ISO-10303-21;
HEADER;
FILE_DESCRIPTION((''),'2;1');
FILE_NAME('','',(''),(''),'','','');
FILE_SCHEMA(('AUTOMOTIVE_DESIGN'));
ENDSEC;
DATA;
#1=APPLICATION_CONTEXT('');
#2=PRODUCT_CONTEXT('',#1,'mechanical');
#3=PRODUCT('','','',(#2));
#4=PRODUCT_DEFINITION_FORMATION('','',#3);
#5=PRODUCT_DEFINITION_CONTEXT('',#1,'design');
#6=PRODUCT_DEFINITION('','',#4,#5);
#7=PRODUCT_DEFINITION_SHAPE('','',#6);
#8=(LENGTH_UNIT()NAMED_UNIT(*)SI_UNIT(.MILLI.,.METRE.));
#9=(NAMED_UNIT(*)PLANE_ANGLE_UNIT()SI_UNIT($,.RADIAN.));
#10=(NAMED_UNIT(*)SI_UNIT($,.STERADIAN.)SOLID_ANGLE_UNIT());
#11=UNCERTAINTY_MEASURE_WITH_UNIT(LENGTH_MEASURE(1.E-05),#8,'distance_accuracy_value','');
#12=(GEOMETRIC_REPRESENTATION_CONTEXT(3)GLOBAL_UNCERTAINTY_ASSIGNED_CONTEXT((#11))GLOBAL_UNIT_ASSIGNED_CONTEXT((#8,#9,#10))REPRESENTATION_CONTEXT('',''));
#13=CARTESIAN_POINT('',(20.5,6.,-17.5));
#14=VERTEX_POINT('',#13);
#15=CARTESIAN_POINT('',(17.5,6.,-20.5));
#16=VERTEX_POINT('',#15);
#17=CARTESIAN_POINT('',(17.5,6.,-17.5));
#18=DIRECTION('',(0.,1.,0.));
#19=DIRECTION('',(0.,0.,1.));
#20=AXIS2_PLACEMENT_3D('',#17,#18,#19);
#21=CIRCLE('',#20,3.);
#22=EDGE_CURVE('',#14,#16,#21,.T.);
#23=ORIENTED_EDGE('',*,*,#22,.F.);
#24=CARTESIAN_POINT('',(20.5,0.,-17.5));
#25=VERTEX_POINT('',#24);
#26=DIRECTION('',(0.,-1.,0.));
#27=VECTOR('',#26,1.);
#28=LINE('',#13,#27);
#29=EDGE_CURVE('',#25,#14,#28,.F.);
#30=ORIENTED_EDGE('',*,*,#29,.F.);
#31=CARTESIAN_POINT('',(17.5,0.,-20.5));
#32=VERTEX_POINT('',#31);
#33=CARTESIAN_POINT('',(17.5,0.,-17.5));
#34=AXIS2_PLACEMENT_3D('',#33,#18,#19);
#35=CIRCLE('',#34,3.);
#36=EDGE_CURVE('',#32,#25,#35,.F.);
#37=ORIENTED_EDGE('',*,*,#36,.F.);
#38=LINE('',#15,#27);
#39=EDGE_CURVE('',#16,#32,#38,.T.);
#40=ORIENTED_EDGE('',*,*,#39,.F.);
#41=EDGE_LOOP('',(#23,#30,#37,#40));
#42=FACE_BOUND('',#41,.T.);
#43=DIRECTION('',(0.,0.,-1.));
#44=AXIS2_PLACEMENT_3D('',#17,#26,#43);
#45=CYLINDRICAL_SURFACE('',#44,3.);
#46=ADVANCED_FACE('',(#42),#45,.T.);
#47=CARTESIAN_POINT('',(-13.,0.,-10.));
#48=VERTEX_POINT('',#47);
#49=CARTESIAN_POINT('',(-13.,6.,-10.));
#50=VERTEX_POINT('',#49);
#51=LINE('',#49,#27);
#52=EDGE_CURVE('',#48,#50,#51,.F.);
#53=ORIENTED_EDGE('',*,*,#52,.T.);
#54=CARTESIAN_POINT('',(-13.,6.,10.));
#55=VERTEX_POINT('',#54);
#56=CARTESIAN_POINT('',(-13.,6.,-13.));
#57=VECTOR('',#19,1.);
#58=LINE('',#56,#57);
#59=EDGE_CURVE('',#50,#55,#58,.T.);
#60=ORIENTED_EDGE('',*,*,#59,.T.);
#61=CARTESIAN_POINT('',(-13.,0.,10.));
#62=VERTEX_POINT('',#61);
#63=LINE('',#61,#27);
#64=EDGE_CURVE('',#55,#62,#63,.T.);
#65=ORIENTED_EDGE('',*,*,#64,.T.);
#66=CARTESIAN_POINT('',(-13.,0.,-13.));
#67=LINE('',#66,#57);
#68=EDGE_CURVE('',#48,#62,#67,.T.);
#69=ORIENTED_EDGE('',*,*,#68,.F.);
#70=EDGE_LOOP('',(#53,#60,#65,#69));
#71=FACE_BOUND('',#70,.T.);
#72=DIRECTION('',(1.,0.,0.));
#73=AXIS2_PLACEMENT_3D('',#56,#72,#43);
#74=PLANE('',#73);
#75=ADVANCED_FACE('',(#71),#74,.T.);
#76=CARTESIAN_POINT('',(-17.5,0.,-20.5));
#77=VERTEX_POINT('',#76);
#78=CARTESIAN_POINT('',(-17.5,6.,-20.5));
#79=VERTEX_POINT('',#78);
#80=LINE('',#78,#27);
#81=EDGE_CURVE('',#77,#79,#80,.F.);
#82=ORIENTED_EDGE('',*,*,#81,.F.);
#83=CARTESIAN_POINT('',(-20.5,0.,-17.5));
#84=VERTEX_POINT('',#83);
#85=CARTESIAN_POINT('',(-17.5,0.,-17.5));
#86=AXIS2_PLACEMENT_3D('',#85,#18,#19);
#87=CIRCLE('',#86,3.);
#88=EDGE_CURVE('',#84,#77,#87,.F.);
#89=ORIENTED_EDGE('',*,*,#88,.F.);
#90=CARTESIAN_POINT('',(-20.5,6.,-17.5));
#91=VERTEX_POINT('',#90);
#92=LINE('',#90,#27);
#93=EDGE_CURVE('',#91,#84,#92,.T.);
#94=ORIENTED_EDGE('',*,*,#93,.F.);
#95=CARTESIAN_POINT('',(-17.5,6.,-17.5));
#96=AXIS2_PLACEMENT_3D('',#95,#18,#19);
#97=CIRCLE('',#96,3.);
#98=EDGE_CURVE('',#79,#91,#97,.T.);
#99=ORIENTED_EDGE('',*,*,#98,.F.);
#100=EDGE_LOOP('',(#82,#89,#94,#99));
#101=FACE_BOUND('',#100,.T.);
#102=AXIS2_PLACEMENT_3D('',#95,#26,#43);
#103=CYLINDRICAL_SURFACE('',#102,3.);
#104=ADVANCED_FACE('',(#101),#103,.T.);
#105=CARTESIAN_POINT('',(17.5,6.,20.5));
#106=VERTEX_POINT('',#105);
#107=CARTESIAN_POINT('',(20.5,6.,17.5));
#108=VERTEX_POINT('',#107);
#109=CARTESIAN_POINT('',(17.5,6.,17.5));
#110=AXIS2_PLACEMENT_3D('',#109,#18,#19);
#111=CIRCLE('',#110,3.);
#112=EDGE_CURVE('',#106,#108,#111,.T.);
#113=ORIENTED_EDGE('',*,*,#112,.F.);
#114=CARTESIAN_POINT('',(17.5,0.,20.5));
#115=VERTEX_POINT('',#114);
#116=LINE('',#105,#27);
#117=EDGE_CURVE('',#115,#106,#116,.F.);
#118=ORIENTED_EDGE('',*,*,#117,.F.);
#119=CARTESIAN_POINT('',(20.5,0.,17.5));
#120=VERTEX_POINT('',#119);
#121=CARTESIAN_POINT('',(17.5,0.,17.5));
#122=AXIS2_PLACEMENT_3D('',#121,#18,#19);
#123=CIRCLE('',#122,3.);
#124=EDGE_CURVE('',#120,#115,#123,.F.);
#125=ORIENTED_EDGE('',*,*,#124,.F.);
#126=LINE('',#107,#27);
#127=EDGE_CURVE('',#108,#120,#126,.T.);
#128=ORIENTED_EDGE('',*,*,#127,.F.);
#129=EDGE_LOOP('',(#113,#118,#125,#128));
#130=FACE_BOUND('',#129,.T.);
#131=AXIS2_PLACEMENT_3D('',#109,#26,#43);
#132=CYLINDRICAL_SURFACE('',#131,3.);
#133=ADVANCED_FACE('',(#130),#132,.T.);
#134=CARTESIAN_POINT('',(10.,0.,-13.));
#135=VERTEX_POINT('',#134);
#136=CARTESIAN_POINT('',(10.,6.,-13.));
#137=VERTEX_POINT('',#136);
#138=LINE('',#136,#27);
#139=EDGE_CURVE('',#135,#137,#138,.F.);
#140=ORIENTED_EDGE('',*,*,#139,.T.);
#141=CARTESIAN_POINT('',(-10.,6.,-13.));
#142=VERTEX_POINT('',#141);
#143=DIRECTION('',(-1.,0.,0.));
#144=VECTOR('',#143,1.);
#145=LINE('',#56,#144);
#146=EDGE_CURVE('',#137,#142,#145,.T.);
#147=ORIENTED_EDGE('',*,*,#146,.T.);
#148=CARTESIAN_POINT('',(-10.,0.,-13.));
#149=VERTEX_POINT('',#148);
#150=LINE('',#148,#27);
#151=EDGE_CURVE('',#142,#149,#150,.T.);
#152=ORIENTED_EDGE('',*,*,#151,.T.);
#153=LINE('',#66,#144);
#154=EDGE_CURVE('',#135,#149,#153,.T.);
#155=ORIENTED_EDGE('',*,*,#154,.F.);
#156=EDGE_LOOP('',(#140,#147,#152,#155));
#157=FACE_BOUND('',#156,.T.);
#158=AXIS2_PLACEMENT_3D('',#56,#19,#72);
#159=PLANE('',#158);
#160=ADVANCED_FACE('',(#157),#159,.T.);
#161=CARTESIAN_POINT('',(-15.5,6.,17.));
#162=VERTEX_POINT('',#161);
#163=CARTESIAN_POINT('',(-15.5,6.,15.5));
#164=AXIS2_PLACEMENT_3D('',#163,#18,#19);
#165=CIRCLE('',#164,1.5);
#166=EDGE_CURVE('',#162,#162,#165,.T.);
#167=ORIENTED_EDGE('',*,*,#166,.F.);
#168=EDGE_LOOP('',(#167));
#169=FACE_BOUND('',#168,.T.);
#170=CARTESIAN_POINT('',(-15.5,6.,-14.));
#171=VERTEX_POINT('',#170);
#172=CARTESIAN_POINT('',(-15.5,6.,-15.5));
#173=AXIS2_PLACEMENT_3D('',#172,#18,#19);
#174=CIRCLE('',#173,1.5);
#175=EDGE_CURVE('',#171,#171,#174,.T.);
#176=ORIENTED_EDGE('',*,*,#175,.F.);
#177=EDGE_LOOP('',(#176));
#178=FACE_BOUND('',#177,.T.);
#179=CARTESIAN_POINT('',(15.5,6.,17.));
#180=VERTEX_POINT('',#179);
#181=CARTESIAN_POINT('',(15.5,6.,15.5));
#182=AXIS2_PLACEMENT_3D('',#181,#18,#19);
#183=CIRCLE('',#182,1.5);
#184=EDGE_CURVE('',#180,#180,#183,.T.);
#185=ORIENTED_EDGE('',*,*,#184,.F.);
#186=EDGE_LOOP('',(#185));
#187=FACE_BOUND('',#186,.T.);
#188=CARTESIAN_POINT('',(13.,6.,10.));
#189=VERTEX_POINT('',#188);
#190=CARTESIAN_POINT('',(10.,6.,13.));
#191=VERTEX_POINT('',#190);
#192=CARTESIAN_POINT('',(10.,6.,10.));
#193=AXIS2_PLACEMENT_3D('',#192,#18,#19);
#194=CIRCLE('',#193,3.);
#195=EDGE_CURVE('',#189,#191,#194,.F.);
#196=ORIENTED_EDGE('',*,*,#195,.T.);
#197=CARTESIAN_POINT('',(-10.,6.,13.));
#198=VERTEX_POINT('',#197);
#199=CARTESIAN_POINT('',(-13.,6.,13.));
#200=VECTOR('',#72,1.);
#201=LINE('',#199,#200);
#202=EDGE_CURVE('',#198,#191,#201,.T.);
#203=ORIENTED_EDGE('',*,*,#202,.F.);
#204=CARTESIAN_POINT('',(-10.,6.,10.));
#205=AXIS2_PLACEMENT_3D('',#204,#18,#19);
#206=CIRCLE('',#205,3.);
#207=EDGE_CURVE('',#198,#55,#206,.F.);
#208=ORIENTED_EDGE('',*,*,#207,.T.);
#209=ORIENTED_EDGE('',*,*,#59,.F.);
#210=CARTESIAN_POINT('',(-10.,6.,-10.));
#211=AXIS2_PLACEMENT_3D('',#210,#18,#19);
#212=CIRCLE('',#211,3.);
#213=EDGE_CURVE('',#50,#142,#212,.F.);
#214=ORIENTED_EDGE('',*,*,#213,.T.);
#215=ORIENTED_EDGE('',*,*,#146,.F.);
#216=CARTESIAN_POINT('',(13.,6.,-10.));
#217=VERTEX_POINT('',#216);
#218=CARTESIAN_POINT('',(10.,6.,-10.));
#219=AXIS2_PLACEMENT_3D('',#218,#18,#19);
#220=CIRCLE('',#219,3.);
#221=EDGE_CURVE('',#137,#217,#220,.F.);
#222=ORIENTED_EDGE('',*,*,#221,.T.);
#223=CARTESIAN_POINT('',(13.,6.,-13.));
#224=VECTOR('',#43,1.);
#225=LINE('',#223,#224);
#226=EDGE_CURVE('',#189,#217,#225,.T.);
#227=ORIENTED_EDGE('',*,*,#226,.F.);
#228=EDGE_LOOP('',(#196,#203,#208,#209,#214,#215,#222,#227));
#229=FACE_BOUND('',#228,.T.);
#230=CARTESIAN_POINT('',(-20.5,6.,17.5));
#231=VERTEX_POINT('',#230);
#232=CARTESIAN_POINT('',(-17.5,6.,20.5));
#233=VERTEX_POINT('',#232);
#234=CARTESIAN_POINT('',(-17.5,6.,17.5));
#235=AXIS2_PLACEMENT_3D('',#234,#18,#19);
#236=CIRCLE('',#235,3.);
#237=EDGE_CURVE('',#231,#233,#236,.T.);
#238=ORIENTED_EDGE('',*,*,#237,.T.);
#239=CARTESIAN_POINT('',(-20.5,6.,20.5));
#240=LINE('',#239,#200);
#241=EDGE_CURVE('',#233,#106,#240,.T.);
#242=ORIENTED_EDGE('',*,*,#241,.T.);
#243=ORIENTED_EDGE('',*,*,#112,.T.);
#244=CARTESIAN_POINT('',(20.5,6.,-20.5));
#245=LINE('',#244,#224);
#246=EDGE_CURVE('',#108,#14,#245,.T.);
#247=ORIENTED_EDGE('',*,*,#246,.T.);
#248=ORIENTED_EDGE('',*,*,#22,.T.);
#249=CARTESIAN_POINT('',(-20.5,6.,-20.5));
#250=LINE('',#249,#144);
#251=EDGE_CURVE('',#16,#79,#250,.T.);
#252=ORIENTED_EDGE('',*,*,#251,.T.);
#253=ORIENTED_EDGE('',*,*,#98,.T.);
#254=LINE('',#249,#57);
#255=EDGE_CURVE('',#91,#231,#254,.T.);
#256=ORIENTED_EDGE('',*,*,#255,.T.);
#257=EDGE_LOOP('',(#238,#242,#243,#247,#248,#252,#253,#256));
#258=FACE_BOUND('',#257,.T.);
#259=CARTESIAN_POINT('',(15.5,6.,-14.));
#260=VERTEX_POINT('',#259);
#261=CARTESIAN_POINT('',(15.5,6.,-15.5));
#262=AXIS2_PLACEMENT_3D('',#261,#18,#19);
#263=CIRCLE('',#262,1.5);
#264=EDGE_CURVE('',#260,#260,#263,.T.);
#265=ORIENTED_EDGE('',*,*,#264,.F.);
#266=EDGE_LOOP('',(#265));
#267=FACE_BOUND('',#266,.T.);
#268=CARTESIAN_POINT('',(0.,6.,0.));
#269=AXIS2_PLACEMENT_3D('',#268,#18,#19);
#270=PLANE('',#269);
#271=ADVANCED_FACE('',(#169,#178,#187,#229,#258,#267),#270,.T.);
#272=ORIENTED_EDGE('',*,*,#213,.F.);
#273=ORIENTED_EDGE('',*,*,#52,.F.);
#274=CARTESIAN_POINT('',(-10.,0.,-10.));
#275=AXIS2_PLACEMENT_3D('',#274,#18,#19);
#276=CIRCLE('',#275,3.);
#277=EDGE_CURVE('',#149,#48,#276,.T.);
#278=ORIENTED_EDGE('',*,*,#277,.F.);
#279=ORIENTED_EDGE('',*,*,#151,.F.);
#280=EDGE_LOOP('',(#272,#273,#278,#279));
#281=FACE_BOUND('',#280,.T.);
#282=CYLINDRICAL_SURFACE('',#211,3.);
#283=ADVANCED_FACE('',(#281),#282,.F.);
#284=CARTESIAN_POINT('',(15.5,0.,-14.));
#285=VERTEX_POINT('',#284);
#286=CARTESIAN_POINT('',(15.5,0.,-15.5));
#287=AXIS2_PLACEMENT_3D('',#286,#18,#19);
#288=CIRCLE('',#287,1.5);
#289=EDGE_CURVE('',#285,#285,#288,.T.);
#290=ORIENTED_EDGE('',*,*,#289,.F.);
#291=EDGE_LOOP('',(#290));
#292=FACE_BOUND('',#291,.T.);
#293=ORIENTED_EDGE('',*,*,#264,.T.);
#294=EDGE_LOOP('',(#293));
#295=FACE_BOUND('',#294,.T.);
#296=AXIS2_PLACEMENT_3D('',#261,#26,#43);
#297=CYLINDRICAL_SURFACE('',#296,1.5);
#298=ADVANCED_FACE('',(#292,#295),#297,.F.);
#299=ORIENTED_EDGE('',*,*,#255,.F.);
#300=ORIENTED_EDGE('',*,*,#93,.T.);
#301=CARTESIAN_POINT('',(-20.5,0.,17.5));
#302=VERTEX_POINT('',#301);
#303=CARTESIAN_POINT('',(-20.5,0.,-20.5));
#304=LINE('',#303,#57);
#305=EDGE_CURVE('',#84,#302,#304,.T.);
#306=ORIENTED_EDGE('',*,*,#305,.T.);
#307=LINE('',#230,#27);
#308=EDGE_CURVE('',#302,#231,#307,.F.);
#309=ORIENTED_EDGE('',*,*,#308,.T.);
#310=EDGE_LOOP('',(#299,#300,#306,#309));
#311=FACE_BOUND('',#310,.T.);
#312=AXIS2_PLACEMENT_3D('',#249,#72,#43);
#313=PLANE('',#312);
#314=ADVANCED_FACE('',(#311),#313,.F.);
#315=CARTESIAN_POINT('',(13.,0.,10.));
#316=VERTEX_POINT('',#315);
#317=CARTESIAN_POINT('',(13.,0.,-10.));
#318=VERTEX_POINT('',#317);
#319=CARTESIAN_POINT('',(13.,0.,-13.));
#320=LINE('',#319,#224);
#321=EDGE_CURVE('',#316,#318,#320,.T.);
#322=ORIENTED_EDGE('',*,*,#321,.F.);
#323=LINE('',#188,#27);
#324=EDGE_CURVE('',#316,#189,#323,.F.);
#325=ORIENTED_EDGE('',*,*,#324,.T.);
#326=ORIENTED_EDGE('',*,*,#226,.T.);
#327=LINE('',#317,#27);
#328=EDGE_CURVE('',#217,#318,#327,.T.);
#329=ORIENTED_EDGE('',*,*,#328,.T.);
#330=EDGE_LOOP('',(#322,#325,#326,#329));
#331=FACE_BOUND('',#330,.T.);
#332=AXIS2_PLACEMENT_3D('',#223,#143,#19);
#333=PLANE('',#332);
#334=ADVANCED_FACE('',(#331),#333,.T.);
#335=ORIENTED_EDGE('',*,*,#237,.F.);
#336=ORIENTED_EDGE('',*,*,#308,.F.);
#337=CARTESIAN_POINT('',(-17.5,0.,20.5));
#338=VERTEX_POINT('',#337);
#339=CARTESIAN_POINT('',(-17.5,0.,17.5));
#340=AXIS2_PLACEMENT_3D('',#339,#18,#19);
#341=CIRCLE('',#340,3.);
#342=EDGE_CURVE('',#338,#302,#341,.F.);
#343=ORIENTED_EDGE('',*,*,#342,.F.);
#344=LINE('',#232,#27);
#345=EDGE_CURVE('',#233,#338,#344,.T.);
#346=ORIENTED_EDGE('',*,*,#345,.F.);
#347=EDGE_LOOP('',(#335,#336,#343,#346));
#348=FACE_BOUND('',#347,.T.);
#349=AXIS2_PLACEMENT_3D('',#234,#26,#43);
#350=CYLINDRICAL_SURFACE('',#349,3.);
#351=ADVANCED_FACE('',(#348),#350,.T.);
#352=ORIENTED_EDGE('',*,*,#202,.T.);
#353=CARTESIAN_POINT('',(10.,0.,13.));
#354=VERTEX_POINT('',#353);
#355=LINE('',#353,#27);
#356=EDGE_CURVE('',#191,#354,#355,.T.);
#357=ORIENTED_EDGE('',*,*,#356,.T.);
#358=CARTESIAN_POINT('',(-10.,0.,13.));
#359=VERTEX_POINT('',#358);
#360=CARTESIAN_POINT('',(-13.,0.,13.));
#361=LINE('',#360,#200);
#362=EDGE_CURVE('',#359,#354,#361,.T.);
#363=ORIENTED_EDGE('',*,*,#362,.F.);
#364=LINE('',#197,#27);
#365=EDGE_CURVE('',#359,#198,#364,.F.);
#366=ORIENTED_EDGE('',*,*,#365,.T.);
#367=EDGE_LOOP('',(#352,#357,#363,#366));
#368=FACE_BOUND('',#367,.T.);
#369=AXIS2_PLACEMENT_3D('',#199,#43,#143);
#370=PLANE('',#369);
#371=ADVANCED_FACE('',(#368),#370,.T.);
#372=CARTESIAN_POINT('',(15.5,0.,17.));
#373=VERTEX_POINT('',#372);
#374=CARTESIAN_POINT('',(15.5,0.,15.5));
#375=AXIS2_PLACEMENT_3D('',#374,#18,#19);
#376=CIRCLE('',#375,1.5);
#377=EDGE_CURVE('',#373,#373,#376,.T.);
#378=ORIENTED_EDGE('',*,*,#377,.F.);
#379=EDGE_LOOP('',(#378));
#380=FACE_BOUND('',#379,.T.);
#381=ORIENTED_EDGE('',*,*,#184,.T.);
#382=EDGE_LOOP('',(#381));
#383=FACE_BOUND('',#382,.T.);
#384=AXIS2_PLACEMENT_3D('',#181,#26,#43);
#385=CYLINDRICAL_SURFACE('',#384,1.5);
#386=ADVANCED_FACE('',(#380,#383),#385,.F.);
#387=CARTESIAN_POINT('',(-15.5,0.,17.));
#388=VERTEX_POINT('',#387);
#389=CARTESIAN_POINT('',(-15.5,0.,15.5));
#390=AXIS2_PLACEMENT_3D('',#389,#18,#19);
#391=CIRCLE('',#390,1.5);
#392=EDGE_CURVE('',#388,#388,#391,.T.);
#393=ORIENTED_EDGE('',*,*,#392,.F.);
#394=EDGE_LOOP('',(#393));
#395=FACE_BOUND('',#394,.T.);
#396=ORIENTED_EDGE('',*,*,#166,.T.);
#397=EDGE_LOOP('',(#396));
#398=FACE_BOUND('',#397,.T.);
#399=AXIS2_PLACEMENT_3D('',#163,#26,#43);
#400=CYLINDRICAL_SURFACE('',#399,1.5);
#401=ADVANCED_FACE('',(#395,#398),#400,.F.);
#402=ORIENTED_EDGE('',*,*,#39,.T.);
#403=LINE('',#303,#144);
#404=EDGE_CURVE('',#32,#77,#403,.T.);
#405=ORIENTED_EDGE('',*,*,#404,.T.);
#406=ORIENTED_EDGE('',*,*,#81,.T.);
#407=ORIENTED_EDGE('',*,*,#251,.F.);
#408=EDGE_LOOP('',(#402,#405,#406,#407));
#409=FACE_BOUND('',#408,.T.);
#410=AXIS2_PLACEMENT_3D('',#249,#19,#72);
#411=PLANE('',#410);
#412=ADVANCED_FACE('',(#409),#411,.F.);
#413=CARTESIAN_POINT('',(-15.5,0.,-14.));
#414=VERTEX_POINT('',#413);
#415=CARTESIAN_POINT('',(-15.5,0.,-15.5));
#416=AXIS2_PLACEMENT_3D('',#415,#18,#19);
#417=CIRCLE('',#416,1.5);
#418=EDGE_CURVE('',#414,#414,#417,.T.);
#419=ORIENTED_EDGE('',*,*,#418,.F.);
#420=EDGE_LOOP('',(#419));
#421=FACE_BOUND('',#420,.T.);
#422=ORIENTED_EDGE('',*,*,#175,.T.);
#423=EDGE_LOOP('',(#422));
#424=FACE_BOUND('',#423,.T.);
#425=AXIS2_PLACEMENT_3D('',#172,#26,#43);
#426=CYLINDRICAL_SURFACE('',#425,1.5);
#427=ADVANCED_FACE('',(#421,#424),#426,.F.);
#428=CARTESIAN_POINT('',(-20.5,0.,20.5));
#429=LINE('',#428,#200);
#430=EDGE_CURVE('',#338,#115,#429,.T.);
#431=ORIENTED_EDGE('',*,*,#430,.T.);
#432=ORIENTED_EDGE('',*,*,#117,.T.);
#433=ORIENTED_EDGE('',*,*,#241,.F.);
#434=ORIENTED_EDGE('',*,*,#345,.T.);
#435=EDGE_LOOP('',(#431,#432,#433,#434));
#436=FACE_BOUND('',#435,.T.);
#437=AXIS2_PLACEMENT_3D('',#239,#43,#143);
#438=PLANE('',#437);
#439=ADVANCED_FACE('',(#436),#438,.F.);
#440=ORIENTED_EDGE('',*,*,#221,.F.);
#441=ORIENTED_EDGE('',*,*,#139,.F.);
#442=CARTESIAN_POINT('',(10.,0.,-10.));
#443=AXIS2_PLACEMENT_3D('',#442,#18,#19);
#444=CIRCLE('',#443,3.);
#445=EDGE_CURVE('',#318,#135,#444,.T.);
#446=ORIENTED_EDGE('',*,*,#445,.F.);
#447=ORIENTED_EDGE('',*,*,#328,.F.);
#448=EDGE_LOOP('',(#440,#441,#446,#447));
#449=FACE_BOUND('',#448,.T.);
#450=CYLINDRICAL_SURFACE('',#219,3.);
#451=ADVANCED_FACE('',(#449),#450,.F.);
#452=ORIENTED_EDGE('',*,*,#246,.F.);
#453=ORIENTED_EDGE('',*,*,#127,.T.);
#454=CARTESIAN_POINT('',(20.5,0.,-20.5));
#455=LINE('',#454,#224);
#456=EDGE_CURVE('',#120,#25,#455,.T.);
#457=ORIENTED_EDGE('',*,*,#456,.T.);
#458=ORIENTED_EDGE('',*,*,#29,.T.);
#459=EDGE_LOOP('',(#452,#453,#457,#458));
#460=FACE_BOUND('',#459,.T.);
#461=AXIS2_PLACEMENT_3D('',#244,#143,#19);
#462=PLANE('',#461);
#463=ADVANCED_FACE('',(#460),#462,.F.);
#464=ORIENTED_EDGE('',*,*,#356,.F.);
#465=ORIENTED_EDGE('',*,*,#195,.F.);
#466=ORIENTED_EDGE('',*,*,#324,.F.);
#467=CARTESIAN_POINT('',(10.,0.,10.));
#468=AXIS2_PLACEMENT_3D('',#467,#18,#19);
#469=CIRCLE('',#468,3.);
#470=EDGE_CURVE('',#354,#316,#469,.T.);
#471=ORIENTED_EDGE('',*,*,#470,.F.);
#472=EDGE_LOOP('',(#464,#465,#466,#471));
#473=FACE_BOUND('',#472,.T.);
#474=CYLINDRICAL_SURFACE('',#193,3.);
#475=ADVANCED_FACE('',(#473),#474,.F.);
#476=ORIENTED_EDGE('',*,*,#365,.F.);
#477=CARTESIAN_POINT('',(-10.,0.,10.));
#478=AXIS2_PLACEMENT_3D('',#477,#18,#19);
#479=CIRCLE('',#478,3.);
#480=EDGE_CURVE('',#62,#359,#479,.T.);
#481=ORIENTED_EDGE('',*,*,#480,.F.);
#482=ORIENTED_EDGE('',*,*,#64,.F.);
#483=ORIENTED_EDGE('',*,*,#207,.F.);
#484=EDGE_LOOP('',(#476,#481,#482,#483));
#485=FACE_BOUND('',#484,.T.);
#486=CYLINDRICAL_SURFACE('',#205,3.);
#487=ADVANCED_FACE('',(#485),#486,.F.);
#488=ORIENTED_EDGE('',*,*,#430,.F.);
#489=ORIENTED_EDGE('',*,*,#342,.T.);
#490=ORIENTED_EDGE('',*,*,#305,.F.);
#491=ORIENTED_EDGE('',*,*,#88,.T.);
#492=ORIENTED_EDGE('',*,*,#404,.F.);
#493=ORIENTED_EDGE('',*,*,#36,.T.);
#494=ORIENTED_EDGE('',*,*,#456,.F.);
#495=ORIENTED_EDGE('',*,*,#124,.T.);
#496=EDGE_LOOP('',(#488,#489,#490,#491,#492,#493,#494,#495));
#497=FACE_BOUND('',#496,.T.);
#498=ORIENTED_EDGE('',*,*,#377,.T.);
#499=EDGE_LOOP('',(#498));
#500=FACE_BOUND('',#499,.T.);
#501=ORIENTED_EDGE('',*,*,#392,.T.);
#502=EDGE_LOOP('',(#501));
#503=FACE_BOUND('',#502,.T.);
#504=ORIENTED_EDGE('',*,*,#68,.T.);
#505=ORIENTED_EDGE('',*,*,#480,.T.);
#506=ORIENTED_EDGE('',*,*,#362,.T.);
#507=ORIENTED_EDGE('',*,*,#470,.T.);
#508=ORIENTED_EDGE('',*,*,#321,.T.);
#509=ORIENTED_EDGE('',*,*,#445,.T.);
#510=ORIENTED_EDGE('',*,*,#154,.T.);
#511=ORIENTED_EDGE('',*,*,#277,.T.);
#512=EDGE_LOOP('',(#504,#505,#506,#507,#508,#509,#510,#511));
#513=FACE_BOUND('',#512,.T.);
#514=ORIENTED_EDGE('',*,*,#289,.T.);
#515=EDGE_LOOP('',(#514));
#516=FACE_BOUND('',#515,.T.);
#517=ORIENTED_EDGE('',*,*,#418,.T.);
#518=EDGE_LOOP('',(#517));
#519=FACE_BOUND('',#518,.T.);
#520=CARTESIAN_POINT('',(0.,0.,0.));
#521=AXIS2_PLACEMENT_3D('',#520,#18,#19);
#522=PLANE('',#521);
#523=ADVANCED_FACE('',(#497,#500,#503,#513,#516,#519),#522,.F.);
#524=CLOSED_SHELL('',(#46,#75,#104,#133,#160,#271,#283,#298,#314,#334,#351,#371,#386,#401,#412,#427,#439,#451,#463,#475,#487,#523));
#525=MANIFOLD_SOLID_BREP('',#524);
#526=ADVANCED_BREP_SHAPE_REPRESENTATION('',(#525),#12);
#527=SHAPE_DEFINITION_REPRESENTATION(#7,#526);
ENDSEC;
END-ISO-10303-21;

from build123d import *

# Parameters (mm, degrees)
SKETCH1_W           = 41
SKETCH1_H           = 41
BOSS_EXTRUDE1_DEPTH = 6
SKETCH2_R           = 1.5
CUT_EXTRUDE1_DEPTH  = 6
SKETCH3_W           = 26
SKETCH3_H           = 26
CUT_EXTRUDE2_DEPTH  = 6
FILLET1_R           = 3


with BuildPart() as part:
    # Sketch1 → Boss-Extrude1 (new body)
    with BuildSketch(Plane(origin=(0, 0, 0), x_dir=(1, 0, 0), z_dir=(0, 1, 0))):
        Rectangle(SKETCH1_W, SKETCH1_H)
    extrude(amount=BOSS_EXTRUDE1_DEPTH)

    # Sketch2 → Cut-Extrude1 (cut)
    with BuildSketch(Plane(origin=(0, 0, 0), x_dir=(1, 0, 0), z_dir=(0, 1, 0))):
        with Locations((-15.5, 15.5)):
            Circle(SKETCH2_R)
        with Locations((15.5, 15.5)):
            Circle(SKETCH2_R)
        with Locations((-15.5, -15.5)):
            Circle(SKETCH2_R)
        with Locations((15.5, -15.5)):
            Circle(SKETCH2_R)
    extrude(amount=CUT_EXTRUDE1_DEPTH, mode=Mode.SUBTRACT)

    # Sketch3 → Cut-Extrude2 (cut)
    with BuildSketch(Plane(origin=(0, 0, 0), x_dir=(1, 0, 0), z_dir=(0, 1, 0))):
        Rectangle(SKETCH3_W, SKETCH3_H)
    extrude(amount=CUT_EXTRUDE2_DEPTH, mode=Mode.SUBTRACT)

    # Fillet1
    fillet1_edges = [part.edges().sort_by_distance(p)[0] for p in [
        (13, 3, 13),
        (13, 3, -13),
        (-13, 3, -13),
        (-13, 3, 13),
        (20.5, 3, 20.5),
        (-20.5, 3, 20.5),
        (-20.5, 3, -20.5),
        (20.5, 3, -20.5),
    ]]
    fillet(fillet1_edges, radius=FILLET1_R)


solid = part.part
